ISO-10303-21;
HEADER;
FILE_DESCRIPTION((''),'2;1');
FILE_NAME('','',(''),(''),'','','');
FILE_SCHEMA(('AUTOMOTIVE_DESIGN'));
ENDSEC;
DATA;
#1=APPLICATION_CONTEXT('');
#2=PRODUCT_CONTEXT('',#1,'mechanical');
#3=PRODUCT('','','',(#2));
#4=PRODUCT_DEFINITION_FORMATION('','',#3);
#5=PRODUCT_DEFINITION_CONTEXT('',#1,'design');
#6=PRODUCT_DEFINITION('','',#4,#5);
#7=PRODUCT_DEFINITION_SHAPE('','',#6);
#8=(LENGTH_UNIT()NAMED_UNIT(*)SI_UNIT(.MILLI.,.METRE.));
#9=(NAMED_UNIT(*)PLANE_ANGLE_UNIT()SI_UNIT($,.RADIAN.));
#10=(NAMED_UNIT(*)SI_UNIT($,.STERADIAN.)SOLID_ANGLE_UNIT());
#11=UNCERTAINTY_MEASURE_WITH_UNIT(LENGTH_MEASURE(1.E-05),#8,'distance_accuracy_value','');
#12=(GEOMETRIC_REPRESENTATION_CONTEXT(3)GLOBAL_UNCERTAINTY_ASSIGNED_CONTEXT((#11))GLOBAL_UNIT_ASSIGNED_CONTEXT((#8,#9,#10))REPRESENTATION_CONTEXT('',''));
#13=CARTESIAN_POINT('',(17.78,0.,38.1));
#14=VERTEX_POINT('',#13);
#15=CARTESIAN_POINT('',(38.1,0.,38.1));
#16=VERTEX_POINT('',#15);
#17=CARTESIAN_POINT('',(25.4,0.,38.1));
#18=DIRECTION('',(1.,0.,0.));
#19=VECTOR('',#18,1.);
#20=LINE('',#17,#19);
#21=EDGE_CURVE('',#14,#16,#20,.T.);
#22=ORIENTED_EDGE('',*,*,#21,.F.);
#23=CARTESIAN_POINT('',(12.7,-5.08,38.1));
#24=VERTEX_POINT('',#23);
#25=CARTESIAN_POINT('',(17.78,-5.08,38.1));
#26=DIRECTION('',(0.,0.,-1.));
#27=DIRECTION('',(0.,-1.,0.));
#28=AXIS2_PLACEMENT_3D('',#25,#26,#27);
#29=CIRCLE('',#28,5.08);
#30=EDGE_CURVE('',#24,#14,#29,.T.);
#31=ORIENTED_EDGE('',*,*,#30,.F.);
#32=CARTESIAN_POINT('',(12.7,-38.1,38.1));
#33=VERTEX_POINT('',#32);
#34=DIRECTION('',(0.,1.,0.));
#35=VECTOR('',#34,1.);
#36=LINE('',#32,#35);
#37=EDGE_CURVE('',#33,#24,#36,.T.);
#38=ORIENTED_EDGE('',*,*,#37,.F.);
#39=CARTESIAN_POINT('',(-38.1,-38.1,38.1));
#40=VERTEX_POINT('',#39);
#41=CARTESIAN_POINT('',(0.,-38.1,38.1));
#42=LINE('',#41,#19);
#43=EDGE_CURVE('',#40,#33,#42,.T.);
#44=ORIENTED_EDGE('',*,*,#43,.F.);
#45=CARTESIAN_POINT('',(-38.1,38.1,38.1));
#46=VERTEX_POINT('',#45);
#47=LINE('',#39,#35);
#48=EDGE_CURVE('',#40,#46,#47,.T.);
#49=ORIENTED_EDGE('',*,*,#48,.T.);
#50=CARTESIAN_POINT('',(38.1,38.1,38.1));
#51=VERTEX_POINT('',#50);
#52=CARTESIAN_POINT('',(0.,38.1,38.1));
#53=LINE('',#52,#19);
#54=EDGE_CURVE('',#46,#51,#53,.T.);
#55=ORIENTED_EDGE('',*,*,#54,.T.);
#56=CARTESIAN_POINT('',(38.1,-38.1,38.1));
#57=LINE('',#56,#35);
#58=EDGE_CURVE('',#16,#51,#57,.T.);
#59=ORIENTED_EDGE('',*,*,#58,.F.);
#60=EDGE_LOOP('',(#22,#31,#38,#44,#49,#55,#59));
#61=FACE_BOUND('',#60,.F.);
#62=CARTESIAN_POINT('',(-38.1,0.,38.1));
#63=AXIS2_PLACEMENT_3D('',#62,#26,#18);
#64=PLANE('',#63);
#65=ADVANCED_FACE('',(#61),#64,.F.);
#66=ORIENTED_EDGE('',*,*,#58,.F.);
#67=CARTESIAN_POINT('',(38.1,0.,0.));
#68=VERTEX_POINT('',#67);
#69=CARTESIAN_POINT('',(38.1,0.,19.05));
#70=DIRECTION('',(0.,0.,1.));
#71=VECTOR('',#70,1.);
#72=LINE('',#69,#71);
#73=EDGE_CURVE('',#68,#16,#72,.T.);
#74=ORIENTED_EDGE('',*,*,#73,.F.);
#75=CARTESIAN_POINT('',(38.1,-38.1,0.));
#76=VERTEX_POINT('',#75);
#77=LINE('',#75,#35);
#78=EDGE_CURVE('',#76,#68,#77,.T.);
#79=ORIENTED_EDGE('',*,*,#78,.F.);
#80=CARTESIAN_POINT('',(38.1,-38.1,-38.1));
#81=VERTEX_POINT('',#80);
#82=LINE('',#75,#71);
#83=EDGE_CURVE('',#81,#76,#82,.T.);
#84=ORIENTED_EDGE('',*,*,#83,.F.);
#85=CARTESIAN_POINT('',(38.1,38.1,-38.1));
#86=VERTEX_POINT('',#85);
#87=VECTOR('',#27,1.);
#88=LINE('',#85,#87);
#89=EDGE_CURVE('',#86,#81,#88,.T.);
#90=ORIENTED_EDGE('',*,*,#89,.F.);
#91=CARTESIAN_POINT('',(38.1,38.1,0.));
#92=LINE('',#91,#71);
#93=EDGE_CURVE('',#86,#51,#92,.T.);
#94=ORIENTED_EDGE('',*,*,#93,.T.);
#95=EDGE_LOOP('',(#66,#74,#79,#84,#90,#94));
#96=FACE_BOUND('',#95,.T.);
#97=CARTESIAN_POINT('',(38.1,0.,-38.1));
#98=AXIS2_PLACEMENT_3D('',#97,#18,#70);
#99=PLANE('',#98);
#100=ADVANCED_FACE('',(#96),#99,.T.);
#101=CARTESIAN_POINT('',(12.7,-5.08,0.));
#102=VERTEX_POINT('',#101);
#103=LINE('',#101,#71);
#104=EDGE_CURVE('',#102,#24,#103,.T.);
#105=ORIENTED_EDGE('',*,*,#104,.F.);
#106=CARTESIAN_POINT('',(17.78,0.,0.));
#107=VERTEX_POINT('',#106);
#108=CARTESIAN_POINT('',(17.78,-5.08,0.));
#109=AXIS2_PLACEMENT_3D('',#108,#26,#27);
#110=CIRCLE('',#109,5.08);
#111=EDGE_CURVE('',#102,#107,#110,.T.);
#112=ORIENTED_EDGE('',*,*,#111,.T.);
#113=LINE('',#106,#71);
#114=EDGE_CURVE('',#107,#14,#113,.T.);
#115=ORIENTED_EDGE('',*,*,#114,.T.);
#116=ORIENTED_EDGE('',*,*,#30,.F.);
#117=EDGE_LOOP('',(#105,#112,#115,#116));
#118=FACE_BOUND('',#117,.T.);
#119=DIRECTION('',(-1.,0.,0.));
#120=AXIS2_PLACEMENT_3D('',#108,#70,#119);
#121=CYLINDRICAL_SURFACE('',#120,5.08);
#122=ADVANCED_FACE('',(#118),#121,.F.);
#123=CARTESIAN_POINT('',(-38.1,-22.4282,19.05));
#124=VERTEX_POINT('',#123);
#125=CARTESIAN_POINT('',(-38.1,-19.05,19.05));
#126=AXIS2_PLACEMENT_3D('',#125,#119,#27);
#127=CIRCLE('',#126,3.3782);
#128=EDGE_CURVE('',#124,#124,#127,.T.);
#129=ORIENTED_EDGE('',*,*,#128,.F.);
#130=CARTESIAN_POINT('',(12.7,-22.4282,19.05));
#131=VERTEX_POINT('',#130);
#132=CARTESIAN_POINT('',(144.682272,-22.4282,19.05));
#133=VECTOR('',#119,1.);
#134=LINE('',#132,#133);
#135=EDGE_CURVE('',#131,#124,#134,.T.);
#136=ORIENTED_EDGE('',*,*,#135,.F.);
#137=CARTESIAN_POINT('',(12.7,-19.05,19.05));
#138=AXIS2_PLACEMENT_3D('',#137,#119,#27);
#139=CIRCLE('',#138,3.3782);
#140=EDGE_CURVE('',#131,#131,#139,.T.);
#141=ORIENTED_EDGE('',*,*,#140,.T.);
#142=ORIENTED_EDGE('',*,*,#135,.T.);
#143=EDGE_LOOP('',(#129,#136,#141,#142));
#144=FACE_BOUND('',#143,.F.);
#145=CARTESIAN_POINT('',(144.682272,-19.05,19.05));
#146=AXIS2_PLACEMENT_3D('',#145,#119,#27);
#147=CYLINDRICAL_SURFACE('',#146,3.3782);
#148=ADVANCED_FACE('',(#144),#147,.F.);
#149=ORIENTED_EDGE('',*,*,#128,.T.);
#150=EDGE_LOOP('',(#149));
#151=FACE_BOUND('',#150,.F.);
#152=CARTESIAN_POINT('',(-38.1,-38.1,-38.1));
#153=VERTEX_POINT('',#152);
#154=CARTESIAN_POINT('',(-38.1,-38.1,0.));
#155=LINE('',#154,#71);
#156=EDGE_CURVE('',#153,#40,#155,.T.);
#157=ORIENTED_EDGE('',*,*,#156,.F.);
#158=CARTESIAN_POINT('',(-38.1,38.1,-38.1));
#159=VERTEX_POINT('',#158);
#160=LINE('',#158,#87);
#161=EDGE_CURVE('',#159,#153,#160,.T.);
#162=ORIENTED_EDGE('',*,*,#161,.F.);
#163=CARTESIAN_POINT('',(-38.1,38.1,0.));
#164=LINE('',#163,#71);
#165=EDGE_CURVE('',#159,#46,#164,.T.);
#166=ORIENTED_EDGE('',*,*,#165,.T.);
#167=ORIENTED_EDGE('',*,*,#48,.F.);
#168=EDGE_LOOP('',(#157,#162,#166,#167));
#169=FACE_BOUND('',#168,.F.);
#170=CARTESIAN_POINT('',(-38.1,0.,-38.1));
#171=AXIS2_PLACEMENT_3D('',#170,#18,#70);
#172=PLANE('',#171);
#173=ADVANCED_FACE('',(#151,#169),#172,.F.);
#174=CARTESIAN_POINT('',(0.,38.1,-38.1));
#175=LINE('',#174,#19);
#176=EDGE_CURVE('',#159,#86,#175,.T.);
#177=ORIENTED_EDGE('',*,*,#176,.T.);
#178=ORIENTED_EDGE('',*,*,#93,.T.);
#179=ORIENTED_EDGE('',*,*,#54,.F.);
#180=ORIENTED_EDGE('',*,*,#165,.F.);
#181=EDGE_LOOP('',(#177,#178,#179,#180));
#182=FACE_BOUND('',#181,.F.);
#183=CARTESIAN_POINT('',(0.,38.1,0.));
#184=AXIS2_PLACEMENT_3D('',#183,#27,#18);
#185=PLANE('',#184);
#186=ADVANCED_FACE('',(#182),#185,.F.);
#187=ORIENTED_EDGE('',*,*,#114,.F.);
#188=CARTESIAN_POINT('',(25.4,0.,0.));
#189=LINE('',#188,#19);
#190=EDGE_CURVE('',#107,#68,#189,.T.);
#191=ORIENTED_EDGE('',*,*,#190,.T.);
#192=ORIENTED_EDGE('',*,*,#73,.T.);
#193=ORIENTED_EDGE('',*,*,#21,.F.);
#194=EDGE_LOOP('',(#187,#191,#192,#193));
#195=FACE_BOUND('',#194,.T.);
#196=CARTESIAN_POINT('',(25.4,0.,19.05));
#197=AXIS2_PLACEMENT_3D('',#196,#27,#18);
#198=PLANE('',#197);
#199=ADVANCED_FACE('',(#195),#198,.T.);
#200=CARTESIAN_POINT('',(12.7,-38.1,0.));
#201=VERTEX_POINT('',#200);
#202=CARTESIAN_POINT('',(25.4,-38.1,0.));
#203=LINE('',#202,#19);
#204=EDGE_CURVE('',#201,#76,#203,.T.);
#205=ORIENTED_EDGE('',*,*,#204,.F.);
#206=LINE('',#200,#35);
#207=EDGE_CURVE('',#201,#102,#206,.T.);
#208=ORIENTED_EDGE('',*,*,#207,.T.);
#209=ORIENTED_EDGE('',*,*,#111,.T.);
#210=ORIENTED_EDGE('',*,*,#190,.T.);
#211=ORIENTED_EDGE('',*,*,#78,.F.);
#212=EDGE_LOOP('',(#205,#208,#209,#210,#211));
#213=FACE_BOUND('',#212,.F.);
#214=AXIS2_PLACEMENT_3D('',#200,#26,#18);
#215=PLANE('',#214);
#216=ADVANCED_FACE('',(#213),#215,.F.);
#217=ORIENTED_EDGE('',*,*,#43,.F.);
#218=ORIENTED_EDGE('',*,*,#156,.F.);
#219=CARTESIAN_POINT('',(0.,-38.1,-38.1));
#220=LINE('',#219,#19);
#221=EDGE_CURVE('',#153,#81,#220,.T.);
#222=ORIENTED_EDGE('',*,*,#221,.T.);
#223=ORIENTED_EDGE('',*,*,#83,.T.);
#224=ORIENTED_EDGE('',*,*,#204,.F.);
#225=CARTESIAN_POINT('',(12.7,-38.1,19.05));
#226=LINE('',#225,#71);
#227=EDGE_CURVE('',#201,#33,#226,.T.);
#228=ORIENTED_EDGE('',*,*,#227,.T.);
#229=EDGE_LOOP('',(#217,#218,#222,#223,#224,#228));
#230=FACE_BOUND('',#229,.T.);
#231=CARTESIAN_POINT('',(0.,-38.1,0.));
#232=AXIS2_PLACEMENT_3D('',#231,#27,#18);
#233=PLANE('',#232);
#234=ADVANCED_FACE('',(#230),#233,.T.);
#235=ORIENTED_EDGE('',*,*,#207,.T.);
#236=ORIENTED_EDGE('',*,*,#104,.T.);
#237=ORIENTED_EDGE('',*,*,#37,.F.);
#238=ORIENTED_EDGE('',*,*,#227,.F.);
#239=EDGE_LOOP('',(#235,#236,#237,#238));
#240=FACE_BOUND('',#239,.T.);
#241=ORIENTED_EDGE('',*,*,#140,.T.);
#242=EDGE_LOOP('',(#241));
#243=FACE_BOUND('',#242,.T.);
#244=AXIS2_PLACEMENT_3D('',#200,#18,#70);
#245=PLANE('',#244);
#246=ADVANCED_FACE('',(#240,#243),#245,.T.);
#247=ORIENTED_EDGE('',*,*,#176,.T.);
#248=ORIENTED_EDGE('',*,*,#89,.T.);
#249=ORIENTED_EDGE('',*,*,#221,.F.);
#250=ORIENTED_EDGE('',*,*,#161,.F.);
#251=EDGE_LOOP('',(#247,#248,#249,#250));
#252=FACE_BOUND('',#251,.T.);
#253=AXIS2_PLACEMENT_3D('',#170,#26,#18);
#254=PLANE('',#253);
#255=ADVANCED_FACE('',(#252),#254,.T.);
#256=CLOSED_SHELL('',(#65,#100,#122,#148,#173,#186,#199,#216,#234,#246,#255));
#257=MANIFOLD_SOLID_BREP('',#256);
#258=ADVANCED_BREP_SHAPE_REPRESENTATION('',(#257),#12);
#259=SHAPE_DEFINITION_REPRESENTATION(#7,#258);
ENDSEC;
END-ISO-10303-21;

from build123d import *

# Parameters (mm, degrees)
F0_W     = 76.2
F0_H     = 76.2
F1_DEPTH = 38.1
F2_W     = 25.4
F2_H     = 38.1
F3_DEPTH = 38.1
F5_D     = 6.7564
F6_R     = 5.08


with BuildPart() as f1:
    # F0 (on Front) → F1 (new body, symmetric)
    with BuildSketch(Plane.XZ):
        Rectangle(F0_W, F0_H)
    extrude(amount=F1_DEPTH, both=True)

    # F2 (on face) → F3 (cut)
    with BuildSketch(Plane.XZ.offset(38.1)):
        with Locations((25.4, 19.05)):
            Rectangle(F2_W, F2_H)
    extrude(amount=-F3_DEPTH, mode=Mode.SUBTRACT)

    # F5 (through all)
    with Locations(Plane.YZ.offset(12.7)):
        with Locations((-19.05, 19.05)):
            Hole(F5_D / 2)

    # F6
    f6_edges = [f1.edges().sort_by_distance(p)[0] for p in [
        (12.7, 0, 19.05),
    ]]
    fillet(f6_edges, radius=F6_R)


solid = f1.part
